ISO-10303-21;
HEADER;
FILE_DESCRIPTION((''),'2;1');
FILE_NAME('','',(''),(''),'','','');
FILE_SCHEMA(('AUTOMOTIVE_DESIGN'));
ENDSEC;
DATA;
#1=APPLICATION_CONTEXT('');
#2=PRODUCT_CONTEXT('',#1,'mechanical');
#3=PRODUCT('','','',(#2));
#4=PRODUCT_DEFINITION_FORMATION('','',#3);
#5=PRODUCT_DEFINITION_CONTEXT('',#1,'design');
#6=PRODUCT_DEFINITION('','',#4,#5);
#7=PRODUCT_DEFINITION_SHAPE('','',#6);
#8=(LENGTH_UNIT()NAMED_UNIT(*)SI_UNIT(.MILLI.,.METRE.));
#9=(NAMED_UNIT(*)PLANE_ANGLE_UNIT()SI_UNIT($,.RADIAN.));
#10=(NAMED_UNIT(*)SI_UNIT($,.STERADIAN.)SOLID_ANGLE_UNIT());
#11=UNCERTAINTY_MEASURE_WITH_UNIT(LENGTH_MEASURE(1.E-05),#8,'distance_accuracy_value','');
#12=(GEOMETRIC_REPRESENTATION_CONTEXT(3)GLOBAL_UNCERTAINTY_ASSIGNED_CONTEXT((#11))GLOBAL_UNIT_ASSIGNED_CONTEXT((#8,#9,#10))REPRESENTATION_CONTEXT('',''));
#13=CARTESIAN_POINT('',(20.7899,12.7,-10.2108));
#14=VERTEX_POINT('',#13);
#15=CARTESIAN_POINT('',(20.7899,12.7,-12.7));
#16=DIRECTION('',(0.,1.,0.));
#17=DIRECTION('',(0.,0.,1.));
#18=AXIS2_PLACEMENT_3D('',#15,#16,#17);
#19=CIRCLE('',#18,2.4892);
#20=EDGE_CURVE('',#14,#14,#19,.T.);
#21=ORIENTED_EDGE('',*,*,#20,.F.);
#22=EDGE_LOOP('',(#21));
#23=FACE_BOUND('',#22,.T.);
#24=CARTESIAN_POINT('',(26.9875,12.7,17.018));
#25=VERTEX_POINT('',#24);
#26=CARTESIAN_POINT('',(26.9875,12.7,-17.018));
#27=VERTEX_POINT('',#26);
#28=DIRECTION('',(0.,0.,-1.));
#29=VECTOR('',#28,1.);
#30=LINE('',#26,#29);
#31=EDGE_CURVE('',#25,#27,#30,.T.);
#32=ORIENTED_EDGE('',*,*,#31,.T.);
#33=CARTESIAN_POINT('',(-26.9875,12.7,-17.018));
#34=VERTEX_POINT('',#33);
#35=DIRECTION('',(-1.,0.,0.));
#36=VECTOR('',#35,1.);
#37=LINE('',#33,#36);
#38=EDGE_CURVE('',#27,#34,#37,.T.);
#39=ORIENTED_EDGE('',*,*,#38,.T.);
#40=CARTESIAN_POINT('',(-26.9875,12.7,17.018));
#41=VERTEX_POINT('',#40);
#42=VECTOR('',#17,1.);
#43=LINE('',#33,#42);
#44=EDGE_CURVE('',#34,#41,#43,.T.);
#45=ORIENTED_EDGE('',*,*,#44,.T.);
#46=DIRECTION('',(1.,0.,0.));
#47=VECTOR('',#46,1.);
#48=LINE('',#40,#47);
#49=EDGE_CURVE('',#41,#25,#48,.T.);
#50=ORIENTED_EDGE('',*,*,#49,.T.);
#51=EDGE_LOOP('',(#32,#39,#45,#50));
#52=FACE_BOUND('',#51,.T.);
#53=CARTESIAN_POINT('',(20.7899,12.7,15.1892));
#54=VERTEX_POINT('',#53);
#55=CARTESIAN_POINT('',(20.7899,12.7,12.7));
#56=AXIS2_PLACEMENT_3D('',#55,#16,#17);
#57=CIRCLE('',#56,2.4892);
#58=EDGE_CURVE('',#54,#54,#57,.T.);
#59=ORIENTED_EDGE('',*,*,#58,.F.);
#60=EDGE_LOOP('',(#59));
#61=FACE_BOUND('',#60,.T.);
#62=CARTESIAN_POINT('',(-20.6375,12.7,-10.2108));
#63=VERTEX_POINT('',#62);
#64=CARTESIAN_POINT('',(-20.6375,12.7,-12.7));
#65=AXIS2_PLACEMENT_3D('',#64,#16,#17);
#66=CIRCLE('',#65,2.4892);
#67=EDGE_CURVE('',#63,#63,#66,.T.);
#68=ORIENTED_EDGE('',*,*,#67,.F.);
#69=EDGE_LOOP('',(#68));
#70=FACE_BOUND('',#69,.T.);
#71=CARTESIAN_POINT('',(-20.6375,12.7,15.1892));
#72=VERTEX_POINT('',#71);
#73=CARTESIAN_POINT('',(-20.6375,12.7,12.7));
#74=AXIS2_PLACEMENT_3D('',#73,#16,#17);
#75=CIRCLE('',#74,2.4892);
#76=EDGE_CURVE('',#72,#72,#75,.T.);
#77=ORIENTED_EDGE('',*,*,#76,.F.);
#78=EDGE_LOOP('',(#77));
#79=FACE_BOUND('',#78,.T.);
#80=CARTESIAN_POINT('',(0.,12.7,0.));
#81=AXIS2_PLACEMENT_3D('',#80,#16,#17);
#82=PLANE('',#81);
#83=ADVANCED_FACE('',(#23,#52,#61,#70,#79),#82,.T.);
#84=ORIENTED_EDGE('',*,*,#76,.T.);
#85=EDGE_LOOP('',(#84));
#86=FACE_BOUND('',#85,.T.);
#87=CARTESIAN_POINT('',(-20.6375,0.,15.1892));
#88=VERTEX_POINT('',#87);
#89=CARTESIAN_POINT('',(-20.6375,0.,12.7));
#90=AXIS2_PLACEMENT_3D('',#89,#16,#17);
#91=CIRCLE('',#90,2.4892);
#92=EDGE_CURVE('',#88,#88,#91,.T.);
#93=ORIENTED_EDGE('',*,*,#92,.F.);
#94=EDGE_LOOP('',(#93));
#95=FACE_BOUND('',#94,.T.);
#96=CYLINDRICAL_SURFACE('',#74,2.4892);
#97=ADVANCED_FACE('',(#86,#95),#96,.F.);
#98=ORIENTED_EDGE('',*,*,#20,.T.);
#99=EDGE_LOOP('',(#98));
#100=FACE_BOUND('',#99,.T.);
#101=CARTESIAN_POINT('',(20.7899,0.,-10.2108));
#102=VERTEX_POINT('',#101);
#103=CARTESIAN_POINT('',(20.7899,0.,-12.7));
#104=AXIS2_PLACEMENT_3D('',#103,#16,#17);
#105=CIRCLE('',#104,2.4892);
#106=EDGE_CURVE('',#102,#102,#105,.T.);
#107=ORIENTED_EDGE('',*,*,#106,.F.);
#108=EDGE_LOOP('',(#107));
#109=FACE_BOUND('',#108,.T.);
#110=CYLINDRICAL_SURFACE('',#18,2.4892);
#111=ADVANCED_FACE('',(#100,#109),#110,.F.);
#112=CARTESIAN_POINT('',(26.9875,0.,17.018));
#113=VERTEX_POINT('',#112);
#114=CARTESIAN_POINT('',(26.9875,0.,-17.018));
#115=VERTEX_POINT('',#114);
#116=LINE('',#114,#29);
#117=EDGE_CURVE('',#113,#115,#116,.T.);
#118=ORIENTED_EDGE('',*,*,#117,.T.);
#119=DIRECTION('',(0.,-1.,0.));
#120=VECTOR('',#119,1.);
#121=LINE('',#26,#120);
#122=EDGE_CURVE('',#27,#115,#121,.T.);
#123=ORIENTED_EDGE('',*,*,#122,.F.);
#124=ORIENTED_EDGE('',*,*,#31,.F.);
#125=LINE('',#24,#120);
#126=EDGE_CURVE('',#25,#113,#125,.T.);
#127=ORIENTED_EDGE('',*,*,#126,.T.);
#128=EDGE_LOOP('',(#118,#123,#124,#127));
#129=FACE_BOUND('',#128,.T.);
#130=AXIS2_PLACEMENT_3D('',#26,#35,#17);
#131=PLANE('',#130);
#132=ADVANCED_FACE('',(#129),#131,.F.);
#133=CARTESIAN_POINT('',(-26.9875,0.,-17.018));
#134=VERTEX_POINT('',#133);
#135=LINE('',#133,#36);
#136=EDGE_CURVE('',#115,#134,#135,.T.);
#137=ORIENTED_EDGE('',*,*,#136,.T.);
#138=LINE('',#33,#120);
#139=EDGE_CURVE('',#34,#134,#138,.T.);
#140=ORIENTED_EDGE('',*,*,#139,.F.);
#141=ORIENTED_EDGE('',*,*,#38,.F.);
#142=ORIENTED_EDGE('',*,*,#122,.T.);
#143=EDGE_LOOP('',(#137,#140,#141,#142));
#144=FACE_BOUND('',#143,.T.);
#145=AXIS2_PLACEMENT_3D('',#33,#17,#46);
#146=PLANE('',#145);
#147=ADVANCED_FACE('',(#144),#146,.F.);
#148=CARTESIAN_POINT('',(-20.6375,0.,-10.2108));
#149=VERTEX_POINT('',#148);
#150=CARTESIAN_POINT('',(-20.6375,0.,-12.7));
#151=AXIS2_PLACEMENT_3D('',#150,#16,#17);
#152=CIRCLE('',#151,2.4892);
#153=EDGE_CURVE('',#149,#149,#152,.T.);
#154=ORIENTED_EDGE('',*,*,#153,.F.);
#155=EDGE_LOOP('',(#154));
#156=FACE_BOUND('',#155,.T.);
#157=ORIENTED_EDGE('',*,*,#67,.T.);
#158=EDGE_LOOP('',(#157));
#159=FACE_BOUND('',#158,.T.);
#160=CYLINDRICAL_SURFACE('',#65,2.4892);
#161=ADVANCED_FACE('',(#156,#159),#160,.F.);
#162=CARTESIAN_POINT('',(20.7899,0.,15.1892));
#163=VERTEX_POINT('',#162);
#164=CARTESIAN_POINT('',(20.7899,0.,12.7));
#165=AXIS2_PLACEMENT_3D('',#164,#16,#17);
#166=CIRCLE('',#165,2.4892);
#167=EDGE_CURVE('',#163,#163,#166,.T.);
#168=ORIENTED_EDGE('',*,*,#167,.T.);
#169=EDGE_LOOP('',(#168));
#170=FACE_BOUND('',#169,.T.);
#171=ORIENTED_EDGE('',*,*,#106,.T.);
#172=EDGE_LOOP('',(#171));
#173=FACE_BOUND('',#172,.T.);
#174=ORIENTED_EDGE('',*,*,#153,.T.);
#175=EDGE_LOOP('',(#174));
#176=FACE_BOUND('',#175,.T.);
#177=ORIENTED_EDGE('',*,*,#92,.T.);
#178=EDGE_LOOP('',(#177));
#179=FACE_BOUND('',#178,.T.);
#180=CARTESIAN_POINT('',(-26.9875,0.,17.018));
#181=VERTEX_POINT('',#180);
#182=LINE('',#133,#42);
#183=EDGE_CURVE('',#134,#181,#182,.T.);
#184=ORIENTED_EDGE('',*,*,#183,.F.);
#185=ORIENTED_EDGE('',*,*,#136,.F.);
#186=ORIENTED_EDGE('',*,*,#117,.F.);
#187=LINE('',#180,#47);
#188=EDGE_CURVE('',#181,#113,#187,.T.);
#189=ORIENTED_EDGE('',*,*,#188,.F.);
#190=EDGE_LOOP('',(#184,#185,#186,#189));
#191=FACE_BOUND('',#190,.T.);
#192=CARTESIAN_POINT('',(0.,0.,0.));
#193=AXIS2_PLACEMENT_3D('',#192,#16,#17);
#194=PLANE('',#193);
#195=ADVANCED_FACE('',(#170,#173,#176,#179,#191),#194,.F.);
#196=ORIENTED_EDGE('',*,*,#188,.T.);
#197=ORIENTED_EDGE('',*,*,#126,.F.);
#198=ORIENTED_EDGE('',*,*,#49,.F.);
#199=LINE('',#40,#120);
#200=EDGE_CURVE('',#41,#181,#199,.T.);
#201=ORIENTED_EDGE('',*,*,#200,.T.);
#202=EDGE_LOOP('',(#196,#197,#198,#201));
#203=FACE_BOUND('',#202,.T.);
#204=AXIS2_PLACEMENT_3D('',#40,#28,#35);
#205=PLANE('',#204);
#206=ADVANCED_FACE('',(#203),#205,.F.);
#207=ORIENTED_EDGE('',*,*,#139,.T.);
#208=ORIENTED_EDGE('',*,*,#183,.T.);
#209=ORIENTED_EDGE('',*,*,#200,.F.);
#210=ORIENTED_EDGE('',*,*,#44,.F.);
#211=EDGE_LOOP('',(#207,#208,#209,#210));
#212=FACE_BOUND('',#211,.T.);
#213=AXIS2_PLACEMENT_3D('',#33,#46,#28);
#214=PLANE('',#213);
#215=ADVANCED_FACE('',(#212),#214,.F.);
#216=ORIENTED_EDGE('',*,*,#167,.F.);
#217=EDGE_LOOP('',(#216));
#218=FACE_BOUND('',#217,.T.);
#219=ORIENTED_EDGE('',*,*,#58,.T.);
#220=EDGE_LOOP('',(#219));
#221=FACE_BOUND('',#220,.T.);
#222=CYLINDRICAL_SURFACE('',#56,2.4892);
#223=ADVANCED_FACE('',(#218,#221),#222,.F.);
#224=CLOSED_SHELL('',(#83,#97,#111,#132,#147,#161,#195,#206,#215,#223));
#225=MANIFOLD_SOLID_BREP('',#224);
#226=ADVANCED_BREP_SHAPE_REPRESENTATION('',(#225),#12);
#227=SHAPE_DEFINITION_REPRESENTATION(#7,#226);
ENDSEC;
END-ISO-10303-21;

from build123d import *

# Parameters (mm, degrees)
SKETCH1_W              = 53.975
SKETCH1_H              = 34.036
BOSS_EXTRUDE1_DEPTH    = 12.7
F_10_CLEARANCE_HOLE1_D = 4.9784


with BuildPart() as part:
    # Sketch1 → Boss-Extrude1 (new body)
    with BuildSketch(Plane(origin=(0, 0, 0), x_dir=(1, 0, 0), z_dir=(0, 1, 0))):
        Rectangle(SKETCH1_W, SKETCH1_H)
    extrude(amount=BOSS_EXTRUDE1_DEPTH)

    # #10 Clearance Hole1 (through all)
    with Locations(Plane(origin=(0, 12.7, 0), x_dir=(1, 0, 0), z_dir=(0, 1, 0))):
        with Locations((-20.6375, 12.7), (-20.6375, -12.7), (20.7899, -12.7), (20.7899, 12.7)):
            Hole(F_10_CLEARANCE_HOLE1_D / 2)


solid = part.part
